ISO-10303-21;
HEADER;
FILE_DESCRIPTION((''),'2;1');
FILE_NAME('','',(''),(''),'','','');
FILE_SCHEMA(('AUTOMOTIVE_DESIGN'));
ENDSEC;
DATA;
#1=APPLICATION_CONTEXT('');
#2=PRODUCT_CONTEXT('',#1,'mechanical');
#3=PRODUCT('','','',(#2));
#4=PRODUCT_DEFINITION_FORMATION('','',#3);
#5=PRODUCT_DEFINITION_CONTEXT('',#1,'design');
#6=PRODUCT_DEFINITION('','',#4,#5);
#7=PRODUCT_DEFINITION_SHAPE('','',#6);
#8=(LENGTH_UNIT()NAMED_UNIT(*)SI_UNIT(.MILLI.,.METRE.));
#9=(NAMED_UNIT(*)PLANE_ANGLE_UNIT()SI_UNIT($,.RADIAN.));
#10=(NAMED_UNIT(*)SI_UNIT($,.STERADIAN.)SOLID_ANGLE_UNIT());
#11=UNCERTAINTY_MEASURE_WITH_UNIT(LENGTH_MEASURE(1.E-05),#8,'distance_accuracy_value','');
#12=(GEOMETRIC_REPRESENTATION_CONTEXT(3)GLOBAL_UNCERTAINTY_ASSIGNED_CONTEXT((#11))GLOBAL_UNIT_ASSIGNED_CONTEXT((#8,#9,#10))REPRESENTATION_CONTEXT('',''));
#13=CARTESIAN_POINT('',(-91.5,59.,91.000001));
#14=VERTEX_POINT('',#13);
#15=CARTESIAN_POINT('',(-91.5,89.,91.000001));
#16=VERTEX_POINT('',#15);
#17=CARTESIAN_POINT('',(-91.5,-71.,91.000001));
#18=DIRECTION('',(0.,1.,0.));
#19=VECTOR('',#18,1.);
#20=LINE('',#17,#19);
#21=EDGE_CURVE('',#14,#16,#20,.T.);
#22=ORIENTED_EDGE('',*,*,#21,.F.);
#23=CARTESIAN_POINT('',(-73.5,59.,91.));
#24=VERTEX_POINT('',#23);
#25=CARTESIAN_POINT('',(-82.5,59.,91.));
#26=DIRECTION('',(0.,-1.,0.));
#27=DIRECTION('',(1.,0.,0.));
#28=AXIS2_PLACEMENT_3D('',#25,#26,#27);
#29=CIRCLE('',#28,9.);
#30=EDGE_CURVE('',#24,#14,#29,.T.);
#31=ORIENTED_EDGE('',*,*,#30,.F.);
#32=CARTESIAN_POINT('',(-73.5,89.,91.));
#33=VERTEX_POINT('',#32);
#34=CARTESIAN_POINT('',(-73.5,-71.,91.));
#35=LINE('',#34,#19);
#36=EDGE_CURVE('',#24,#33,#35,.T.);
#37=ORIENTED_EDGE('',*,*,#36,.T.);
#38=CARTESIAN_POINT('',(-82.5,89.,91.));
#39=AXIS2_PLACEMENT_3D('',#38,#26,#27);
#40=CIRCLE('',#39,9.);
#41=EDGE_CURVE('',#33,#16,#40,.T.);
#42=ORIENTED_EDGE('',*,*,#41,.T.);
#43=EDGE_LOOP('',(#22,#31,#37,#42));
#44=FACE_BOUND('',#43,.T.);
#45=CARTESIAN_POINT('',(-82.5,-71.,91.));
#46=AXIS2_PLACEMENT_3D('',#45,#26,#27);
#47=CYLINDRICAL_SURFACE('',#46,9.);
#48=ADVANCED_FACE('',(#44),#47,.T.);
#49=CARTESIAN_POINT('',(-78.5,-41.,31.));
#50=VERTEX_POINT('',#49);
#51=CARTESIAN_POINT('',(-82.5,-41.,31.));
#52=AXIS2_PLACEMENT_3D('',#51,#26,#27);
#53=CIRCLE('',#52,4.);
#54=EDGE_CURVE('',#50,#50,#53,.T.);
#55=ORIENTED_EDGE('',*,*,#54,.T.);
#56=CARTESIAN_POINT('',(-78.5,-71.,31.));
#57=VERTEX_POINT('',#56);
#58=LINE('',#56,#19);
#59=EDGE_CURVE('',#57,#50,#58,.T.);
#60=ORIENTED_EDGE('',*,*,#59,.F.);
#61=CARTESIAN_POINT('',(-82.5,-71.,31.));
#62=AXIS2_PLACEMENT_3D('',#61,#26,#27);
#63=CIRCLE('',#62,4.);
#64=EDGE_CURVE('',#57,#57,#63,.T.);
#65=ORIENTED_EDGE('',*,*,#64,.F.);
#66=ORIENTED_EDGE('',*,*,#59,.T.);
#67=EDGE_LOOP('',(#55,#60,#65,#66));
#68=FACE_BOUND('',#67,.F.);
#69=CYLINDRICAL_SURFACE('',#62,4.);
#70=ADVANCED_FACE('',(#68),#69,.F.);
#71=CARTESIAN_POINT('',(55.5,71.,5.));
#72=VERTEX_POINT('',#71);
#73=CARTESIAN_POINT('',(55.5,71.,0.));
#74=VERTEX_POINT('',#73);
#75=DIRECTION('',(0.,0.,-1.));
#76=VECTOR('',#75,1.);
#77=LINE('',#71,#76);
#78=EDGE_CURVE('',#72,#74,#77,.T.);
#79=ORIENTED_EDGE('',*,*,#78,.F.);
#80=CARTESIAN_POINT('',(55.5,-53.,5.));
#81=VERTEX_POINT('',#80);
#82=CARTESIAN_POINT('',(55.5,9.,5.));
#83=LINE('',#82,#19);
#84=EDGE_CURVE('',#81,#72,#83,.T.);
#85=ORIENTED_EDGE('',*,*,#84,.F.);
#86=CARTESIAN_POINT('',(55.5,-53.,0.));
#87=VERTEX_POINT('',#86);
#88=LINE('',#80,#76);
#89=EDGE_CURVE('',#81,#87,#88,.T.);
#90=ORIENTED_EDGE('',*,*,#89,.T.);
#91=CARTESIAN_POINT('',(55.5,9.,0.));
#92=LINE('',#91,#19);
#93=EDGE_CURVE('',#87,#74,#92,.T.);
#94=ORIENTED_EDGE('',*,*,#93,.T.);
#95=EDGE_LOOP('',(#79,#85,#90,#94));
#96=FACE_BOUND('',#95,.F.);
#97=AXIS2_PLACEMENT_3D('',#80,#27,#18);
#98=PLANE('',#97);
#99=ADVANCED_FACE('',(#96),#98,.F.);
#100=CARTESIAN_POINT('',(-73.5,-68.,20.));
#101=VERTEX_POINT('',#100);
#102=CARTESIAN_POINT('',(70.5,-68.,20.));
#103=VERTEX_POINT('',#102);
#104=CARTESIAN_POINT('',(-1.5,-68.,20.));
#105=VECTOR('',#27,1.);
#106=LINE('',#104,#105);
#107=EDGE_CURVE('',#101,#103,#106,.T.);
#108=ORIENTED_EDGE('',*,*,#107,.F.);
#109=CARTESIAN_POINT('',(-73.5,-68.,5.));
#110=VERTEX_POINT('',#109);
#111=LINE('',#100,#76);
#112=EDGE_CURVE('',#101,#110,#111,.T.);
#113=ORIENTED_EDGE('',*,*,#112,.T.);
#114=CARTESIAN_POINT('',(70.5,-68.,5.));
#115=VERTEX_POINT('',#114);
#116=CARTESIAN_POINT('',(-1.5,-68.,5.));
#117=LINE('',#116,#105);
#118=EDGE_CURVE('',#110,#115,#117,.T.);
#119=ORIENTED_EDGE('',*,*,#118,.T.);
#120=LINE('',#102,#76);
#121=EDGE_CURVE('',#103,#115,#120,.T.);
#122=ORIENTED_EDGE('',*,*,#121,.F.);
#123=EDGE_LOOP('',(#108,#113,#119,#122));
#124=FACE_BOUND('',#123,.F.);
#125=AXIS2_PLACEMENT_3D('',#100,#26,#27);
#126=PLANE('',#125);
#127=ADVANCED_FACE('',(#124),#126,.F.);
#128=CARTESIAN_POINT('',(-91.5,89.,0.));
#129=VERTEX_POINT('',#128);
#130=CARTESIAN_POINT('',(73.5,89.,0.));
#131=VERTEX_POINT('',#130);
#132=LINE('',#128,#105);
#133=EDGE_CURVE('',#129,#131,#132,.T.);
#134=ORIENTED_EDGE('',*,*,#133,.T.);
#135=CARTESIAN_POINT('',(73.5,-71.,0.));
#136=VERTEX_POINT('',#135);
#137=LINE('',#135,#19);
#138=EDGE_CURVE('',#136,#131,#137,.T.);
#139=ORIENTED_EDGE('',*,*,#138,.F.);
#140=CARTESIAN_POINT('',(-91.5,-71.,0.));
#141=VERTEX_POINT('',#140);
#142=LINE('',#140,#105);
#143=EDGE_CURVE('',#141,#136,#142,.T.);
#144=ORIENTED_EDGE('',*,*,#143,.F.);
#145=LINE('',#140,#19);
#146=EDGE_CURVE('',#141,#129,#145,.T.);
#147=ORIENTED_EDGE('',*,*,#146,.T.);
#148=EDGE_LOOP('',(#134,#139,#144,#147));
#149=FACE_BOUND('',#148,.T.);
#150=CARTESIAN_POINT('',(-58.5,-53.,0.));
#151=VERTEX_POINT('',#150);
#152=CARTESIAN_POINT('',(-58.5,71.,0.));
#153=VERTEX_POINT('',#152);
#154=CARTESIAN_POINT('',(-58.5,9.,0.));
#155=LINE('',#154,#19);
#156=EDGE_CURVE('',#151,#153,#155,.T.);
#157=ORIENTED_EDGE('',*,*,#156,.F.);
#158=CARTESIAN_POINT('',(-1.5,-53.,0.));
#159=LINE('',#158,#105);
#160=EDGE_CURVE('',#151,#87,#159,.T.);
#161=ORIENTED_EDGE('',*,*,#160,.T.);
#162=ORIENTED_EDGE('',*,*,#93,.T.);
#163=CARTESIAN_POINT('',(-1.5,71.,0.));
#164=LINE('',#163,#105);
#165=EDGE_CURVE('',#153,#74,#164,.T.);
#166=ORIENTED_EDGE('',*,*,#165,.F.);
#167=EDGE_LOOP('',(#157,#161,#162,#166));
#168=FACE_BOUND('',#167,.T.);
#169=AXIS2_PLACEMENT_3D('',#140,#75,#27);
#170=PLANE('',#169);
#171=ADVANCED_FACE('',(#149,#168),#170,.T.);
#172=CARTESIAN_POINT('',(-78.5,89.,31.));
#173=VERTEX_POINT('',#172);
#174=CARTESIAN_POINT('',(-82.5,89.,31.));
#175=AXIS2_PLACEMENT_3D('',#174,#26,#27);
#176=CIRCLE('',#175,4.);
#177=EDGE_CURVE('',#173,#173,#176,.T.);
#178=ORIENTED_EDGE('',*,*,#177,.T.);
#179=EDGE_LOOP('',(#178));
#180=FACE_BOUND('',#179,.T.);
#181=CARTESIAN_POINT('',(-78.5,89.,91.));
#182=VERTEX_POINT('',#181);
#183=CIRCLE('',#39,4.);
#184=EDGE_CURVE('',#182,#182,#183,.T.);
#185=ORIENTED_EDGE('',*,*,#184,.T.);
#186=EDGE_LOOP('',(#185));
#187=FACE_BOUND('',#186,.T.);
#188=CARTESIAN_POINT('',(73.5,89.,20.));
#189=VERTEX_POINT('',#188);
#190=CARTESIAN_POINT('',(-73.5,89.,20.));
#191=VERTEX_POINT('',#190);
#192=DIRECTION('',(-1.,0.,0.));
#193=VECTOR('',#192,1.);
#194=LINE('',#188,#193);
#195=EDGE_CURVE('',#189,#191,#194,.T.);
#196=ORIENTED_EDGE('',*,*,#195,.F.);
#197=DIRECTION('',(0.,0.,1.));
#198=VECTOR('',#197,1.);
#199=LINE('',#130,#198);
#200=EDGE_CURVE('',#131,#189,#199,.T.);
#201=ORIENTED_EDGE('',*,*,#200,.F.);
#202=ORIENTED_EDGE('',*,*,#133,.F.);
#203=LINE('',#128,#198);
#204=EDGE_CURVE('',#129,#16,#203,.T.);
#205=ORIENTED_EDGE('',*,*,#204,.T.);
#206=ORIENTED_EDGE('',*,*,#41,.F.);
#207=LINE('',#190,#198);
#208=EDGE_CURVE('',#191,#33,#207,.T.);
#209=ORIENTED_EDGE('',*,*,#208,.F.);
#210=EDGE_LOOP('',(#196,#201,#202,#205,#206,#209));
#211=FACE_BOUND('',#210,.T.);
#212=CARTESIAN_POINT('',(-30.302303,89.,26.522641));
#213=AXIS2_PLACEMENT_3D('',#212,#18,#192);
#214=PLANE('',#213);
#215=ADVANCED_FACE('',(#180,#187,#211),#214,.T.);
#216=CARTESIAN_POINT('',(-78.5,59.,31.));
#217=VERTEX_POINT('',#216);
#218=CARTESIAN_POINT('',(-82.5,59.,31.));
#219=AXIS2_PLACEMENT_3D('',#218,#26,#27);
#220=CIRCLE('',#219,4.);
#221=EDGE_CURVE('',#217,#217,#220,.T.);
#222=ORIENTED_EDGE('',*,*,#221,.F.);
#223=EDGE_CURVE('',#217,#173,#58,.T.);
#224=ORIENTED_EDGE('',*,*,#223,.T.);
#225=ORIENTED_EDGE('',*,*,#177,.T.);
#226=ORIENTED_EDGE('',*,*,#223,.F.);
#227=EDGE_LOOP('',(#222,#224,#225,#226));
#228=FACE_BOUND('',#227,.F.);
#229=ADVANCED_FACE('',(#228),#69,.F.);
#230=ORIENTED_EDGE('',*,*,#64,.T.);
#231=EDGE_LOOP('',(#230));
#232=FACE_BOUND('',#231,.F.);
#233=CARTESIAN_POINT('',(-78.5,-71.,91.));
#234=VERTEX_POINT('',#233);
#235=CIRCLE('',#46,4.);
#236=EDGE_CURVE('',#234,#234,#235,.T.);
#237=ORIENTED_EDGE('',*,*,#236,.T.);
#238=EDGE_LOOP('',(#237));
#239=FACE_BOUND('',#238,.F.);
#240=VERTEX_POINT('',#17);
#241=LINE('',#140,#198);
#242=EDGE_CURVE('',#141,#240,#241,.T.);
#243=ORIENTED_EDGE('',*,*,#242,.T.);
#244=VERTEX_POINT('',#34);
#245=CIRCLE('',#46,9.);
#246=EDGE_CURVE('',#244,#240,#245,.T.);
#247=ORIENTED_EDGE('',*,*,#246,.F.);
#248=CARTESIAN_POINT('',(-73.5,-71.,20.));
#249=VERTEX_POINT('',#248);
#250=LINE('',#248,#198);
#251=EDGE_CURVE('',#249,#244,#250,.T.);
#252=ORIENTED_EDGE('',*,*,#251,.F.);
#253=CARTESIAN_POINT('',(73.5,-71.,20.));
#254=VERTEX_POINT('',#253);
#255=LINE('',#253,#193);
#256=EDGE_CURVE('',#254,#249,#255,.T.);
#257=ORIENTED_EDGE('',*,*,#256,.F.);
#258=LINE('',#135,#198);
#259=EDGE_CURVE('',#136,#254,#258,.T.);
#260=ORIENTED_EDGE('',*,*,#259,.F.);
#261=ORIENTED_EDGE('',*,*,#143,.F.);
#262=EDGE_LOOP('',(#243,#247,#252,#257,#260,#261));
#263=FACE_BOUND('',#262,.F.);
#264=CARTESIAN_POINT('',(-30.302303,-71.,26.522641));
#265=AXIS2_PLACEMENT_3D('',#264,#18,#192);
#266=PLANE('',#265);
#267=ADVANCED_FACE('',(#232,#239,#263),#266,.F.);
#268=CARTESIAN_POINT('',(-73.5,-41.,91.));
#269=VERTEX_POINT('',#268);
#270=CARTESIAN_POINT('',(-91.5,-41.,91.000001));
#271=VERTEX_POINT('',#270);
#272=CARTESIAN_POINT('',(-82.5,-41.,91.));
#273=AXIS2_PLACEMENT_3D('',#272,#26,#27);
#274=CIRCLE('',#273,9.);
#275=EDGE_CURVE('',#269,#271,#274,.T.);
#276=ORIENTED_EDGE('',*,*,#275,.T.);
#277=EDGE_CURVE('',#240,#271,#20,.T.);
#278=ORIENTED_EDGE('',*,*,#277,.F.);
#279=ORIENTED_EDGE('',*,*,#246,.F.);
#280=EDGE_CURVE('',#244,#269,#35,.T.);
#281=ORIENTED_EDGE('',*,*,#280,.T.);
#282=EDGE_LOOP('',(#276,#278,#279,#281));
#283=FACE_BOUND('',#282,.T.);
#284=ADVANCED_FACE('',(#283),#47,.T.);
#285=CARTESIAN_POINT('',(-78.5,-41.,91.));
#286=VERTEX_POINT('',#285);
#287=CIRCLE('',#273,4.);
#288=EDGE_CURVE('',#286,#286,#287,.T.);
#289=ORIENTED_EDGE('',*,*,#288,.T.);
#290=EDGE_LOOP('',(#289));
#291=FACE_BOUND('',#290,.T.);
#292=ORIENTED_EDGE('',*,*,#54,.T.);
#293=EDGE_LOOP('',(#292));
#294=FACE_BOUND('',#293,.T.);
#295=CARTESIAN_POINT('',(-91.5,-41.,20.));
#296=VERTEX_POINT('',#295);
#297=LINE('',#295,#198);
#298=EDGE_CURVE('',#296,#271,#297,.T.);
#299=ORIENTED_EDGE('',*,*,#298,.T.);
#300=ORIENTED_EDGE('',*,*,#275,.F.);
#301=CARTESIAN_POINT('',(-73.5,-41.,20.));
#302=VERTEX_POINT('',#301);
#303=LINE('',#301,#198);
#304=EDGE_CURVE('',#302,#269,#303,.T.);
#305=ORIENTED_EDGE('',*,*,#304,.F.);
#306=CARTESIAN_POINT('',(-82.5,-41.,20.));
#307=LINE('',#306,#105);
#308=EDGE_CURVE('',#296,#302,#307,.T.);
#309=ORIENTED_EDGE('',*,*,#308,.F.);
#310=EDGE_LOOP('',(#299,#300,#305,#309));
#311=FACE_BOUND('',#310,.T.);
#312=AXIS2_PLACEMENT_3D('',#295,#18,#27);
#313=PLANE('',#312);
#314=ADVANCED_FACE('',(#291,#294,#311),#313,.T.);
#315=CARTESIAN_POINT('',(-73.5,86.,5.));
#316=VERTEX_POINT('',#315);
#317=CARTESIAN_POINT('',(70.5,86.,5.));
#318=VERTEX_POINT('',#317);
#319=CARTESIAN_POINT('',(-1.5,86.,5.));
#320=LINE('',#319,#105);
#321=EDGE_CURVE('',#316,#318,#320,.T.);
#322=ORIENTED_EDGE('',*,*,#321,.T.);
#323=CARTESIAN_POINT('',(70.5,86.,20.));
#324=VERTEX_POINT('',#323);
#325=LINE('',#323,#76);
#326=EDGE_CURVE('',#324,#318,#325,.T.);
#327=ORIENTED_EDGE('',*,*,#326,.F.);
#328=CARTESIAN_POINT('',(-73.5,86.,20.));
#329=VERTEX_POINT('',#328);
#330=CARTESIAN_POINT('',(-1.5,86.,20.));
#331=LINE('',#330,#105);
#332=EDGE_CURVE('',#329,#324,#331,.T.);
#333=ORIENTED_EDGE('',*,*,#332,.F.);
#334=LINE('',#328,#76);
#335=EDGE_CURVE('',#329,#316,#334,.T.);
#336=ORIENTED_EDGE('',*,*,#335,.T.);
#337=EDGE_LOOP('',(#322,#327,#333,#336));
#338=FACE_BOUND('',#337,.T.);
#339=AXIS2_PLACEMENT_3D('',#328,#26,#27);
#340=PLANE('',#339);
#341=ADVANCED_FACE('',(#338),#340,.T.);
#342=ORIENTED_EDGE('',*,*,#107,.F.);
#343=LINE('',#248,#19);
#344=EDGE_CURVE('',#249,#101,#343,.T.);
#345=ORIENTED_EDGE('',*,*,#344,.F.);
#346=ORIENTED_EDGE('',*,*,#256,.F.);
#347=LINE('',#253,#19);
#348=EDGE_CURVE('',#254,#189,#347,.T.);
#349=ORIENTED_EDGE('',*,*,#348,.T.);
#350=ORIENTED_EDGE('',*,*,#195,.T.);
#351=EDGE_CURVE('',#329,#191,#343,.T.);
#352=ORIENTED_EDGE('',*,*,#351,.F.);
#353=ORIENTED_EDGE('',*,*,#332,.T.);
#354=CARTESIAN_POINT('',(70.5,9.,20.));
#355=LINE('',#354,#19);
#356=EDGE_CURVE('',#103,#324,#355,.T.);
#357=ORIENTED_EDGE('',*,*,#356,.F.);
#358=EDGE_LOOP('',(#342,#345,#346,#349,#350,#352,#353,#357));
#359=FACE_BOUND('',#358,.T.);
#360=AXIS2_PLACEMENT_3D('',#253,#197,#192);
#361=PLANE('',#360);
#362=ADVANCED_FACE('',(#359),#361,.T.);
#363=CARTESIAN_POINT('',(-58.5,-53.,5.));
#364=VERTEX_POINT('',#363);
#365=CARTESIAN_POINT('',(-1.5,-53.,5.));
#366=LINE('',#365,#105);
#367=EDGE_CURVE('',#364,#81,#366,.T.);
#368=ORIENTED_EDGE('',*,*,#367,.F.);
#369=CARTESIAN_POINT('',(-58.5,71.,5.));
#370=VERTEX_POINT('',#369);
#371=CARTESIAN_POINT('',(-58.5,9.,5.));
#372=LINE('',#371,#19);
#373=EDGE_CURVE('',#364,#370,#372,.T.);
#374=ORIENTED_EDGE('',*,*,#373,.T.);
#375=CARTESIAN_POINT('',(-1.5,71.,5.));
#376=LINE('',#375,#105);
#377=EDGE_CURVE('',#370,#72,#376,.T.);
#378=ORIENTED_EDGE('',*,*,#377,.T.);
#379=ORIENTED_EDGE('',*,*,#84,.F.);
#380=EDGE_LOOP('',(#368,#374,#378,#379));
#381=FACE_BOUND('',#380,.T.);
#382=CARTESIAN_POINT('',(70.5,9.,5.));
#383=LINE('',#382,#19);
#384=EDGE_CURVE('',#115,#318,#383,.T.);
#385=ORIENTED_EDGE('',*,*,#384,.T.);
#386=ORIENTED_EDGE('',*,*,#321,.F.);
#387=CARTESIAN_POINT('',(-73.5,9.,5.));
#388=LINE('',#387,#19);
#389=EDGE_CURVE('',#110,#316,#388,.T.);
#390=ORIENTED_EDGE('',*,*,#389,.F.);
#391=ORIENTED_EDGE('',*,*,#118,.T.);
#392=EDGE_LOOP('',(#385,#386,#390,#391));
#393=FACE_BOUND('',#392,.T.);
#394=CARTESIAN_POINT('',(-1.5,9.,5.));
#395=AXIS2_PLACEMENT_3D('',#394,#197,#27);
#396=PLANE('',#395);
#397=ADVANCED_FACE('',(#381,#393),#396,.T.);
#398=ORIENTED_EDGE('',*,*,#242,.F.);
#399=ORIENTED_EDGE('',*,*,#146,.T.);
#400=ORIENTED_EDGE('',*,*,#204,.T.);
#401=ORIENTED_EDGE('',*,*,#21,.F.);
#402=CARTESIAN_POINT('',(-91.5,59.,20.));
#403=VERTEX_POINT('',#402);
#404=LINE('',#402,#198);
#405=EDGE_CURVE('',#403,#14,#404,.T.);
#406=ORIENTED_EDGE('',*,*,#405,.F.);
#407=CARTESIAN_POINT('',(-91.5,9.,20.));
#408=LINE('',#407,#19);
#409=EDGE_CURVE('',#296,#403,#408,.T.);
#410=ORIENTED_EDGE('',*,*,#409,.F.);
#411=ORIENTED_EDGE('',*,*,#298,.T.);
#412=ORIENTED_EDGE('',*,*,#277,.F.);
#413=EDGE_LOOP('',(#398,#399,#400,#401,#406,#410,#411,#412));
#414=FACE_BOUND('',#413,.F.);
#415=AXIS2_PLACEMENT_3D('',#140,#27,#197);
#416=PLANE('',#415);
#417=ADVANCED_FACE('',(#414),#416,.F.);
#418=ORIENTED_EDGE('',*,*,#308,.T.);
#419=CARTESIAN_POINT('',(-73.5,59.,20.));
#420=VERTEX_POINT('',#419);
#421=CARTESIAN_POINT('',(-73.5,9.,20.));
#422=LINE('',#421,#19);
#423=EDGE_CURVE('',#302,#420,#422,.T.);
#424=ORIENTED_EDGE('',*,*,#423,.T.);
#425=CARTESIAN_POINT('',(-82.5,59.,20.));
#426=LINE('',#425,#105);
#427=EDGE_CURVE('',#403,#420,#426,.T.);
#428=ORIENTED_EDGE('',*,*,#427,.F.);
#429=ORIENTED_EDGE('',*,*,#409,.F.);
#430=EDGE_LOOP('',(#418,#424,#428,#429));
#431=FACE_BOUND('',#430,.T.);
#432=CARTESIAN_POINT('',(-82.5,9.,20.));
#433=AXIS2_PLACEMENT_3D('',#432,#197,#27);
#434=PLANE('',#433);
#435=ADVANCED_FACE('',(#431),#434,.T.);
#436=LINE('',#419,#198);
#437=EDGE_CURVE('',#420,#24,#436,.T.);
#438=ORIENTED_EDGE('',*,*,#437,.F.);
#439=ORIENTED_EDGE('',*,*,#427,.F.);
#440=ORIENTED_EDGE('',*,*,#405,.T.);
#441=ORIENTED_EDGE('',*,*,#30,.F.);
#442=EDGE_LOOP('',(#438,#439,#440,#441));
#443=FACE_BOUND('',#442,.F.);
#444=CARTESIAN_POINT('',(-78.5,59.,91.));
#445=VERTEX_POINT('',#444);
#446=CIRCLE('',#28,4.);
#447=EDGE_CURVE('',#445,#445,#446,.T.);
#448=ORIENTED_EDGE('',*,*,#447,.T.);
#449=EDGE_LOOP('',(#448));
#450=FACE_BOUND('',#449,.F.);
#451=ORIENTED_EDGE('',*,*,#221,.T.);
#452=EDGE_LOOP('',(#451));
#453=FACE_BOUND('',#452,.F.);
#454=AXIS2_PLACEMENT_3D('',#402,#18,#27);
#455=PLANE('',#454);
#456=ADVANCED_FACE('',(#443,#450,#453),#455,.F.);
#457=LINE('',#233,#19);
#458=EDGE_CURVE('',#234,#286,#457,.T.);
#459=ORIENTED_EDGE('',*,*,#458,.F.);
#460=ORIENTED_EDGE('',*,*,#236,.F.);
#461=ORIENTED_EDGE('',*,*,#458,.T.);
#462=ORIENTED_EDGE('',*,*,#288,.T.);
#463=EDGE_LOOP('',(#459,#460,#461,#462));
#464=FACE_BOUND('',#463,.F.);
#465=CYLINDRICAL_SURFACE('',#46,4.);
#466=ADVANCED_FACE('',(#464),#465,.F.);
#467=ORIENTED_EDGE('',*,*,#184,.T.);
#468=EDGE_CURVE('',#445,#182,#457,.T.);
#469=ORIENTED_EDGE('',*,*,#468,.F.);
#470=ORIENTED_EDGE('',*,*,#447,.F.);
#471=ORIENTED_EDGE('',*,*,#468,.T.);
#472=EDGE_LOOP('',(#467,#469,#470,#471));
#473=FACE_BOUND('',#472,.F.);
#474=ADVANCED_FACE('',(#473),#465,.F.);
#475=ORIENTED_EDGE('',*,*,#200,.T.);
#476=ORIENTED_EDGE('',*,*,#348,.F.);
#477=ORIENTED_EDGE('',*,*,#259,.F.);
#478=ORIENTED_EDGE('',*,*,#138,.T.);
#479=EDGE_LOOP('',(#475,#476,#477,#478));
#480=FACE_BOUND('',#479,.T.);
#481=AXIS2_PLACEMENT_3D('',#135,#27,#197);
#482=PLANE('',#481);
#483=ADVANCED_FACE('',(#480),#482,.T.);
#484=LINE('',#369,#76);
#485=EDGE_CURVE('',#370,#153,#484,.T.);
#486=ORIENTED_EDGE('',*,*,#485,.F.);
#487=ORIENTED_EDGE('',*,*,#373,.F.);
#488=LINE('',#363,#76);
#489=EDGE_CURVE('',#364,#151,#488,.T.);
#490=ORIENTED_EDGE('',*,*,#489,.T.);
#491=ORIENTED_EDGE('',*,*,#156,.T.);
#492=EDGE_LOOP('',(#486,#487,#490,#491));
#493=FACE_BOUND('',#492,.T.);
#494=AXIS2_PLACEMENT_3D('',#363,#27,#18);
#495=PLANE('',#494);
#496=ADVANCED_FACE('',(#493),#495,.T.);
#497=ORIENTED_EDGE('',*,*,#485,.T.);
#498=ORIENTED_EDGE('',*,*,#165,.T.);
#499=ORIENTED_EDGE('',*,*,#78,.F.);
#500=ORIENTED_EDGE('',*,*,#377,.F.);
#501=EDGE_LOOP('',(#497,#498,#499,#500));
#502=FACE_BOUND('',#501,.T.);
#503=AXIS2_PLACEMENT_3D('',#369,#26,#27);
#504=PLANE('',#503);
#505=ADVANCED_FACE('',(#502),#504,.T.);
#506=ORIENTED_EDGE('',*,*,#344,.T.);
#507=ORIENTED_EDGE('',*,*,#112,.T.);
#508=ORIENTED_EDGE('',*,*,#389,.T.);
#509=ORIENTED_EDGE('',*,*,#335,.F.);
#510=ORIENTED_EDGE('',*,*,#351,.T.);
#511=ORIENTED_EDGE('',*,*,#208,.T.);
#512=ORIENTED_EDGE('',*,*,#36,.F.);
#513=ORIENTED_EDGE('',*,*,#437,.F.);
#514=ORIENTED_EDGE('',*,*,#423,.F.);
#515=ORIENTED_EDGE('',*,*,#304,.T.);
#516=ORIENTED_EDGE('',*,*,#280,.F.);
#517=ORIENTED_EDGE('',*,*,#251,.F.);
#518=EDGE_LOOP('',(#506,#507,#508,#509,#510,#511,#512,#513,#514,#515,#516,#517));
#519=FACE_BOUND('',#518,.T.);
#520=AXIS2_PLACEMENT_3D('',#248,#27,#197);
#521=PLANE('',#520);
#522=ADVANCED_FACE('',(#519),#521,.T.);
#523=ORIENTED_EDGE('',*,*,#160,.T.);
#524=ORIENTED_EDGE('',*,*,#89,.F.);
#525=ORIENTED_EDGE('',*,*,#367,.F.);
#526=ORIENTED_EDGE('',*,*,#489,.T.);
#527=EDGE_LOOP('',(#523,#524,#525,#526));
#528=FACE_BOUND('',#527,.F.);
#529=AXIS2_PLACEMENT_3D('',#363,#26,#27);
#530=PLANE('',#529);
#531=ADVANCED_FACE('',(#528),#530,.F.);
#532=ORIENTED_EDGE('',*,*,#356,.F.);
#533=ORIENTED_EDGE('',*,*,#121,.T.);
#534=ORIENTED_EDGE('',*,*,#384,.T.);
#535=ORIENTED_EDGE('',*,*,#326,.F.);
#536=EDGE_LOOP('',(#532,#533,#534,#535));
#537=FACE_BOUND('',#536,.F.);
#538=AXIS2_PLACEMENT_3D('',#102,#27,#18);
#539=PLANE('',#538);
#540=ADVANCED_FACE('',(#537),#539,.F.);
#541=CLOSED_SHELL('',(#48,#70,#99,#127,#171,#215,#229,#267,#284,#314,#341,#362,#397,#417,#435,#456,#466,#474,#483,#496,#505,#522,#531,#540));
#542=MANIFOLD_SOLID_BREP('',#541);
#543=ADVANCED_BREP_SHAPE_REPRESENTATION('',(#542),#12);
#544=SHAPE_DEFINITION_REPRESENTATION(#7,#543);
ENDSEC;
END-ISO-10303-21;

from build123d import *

# Parameters (mm, degrees)
BOX_W        = 18
BOX_H        = 100
BOX_DEPTH    = 80
SKETCH001_W  = 144
SKETCH001_H  = 154
PAD_DEPTH    = 15
SKETCH002_W  = 114
SKETCH002_H  = 124
PAD002_DEPTH = 5
SKETCH_R     = 4
PAD001_DEPTH = 160


with BuildPart() as cube:
    # Box → Box (new body)
    with BuildSketch(Plane(origin=(-91.5, -41, 20), x_dir=(1, 0, 0), z_dir=(0, 0, 1))):
        with Locations((9, 50)):
            Rectangle(BOX_W, BOX_H)
    extrude(amount=BOX_DEPTH)


with BuildPart() as baseframe:
    # Sketch001 → Pad (new body)
    with BuildSketch(Plane.XY.offset(20)):
        with Locations((-1.5, 9)):
            Rectangle(SKETCH001_W, SKETCH001_H)
    extrude(amount=-PAD_DEPTH)


with BuildPart() as cutblock:
    # Sketch002 → Pad002 (new body)
    with BuildSketch(Plane.XY.offset(5)):
        with Locations((-1.5, 9)):
            Rectangle(SKETCH002_W, SKETCH002_H)
    extrude(amount=-PAD002_DEPTH)

    # Fusion: union BaseFrame
    add(baseframe.part)


with BuildPart() as cut001:
    # Sketch → Pad001 (new body)
    with BuildSketch(Plane(origin=(0, -71, 20), x_dir=(1, 0, 0), z_dir=(0, -1, 0))):
        with BuildLine():
            Line((-91.5, -20), (-91.5, 71.000001))
            ThreePointArc((-73.5, 71), (-82.5, 80), (-91.5, 71.000001))
            Line((-73.5, 0), (-73.5, 71))
            Line((73.5, 0), (-73.5, 0))
            Line((73.5, -20), (73.5, 0))
            Line((-91.5, -20), (73.5, -20))
        make_face()
        with Locations((-82.5, 71)):
            Circle(SKETCH_R, mode=Mode.SUBTRACT)
        with Locations((-82.5, 11)):
            Circle(SKETCH_R, mode=Mode.SUBTRACT)
    extrude(amount=-PAD001_DEPTH)

    # Cut: cut CutBlock
    add(cutblock.part, mode=Mode.SUBTRACT)

    # Cut001: cut Cube
    add(cube.part, mode=Mode.SUBTRACT)


solid = cut001.part
